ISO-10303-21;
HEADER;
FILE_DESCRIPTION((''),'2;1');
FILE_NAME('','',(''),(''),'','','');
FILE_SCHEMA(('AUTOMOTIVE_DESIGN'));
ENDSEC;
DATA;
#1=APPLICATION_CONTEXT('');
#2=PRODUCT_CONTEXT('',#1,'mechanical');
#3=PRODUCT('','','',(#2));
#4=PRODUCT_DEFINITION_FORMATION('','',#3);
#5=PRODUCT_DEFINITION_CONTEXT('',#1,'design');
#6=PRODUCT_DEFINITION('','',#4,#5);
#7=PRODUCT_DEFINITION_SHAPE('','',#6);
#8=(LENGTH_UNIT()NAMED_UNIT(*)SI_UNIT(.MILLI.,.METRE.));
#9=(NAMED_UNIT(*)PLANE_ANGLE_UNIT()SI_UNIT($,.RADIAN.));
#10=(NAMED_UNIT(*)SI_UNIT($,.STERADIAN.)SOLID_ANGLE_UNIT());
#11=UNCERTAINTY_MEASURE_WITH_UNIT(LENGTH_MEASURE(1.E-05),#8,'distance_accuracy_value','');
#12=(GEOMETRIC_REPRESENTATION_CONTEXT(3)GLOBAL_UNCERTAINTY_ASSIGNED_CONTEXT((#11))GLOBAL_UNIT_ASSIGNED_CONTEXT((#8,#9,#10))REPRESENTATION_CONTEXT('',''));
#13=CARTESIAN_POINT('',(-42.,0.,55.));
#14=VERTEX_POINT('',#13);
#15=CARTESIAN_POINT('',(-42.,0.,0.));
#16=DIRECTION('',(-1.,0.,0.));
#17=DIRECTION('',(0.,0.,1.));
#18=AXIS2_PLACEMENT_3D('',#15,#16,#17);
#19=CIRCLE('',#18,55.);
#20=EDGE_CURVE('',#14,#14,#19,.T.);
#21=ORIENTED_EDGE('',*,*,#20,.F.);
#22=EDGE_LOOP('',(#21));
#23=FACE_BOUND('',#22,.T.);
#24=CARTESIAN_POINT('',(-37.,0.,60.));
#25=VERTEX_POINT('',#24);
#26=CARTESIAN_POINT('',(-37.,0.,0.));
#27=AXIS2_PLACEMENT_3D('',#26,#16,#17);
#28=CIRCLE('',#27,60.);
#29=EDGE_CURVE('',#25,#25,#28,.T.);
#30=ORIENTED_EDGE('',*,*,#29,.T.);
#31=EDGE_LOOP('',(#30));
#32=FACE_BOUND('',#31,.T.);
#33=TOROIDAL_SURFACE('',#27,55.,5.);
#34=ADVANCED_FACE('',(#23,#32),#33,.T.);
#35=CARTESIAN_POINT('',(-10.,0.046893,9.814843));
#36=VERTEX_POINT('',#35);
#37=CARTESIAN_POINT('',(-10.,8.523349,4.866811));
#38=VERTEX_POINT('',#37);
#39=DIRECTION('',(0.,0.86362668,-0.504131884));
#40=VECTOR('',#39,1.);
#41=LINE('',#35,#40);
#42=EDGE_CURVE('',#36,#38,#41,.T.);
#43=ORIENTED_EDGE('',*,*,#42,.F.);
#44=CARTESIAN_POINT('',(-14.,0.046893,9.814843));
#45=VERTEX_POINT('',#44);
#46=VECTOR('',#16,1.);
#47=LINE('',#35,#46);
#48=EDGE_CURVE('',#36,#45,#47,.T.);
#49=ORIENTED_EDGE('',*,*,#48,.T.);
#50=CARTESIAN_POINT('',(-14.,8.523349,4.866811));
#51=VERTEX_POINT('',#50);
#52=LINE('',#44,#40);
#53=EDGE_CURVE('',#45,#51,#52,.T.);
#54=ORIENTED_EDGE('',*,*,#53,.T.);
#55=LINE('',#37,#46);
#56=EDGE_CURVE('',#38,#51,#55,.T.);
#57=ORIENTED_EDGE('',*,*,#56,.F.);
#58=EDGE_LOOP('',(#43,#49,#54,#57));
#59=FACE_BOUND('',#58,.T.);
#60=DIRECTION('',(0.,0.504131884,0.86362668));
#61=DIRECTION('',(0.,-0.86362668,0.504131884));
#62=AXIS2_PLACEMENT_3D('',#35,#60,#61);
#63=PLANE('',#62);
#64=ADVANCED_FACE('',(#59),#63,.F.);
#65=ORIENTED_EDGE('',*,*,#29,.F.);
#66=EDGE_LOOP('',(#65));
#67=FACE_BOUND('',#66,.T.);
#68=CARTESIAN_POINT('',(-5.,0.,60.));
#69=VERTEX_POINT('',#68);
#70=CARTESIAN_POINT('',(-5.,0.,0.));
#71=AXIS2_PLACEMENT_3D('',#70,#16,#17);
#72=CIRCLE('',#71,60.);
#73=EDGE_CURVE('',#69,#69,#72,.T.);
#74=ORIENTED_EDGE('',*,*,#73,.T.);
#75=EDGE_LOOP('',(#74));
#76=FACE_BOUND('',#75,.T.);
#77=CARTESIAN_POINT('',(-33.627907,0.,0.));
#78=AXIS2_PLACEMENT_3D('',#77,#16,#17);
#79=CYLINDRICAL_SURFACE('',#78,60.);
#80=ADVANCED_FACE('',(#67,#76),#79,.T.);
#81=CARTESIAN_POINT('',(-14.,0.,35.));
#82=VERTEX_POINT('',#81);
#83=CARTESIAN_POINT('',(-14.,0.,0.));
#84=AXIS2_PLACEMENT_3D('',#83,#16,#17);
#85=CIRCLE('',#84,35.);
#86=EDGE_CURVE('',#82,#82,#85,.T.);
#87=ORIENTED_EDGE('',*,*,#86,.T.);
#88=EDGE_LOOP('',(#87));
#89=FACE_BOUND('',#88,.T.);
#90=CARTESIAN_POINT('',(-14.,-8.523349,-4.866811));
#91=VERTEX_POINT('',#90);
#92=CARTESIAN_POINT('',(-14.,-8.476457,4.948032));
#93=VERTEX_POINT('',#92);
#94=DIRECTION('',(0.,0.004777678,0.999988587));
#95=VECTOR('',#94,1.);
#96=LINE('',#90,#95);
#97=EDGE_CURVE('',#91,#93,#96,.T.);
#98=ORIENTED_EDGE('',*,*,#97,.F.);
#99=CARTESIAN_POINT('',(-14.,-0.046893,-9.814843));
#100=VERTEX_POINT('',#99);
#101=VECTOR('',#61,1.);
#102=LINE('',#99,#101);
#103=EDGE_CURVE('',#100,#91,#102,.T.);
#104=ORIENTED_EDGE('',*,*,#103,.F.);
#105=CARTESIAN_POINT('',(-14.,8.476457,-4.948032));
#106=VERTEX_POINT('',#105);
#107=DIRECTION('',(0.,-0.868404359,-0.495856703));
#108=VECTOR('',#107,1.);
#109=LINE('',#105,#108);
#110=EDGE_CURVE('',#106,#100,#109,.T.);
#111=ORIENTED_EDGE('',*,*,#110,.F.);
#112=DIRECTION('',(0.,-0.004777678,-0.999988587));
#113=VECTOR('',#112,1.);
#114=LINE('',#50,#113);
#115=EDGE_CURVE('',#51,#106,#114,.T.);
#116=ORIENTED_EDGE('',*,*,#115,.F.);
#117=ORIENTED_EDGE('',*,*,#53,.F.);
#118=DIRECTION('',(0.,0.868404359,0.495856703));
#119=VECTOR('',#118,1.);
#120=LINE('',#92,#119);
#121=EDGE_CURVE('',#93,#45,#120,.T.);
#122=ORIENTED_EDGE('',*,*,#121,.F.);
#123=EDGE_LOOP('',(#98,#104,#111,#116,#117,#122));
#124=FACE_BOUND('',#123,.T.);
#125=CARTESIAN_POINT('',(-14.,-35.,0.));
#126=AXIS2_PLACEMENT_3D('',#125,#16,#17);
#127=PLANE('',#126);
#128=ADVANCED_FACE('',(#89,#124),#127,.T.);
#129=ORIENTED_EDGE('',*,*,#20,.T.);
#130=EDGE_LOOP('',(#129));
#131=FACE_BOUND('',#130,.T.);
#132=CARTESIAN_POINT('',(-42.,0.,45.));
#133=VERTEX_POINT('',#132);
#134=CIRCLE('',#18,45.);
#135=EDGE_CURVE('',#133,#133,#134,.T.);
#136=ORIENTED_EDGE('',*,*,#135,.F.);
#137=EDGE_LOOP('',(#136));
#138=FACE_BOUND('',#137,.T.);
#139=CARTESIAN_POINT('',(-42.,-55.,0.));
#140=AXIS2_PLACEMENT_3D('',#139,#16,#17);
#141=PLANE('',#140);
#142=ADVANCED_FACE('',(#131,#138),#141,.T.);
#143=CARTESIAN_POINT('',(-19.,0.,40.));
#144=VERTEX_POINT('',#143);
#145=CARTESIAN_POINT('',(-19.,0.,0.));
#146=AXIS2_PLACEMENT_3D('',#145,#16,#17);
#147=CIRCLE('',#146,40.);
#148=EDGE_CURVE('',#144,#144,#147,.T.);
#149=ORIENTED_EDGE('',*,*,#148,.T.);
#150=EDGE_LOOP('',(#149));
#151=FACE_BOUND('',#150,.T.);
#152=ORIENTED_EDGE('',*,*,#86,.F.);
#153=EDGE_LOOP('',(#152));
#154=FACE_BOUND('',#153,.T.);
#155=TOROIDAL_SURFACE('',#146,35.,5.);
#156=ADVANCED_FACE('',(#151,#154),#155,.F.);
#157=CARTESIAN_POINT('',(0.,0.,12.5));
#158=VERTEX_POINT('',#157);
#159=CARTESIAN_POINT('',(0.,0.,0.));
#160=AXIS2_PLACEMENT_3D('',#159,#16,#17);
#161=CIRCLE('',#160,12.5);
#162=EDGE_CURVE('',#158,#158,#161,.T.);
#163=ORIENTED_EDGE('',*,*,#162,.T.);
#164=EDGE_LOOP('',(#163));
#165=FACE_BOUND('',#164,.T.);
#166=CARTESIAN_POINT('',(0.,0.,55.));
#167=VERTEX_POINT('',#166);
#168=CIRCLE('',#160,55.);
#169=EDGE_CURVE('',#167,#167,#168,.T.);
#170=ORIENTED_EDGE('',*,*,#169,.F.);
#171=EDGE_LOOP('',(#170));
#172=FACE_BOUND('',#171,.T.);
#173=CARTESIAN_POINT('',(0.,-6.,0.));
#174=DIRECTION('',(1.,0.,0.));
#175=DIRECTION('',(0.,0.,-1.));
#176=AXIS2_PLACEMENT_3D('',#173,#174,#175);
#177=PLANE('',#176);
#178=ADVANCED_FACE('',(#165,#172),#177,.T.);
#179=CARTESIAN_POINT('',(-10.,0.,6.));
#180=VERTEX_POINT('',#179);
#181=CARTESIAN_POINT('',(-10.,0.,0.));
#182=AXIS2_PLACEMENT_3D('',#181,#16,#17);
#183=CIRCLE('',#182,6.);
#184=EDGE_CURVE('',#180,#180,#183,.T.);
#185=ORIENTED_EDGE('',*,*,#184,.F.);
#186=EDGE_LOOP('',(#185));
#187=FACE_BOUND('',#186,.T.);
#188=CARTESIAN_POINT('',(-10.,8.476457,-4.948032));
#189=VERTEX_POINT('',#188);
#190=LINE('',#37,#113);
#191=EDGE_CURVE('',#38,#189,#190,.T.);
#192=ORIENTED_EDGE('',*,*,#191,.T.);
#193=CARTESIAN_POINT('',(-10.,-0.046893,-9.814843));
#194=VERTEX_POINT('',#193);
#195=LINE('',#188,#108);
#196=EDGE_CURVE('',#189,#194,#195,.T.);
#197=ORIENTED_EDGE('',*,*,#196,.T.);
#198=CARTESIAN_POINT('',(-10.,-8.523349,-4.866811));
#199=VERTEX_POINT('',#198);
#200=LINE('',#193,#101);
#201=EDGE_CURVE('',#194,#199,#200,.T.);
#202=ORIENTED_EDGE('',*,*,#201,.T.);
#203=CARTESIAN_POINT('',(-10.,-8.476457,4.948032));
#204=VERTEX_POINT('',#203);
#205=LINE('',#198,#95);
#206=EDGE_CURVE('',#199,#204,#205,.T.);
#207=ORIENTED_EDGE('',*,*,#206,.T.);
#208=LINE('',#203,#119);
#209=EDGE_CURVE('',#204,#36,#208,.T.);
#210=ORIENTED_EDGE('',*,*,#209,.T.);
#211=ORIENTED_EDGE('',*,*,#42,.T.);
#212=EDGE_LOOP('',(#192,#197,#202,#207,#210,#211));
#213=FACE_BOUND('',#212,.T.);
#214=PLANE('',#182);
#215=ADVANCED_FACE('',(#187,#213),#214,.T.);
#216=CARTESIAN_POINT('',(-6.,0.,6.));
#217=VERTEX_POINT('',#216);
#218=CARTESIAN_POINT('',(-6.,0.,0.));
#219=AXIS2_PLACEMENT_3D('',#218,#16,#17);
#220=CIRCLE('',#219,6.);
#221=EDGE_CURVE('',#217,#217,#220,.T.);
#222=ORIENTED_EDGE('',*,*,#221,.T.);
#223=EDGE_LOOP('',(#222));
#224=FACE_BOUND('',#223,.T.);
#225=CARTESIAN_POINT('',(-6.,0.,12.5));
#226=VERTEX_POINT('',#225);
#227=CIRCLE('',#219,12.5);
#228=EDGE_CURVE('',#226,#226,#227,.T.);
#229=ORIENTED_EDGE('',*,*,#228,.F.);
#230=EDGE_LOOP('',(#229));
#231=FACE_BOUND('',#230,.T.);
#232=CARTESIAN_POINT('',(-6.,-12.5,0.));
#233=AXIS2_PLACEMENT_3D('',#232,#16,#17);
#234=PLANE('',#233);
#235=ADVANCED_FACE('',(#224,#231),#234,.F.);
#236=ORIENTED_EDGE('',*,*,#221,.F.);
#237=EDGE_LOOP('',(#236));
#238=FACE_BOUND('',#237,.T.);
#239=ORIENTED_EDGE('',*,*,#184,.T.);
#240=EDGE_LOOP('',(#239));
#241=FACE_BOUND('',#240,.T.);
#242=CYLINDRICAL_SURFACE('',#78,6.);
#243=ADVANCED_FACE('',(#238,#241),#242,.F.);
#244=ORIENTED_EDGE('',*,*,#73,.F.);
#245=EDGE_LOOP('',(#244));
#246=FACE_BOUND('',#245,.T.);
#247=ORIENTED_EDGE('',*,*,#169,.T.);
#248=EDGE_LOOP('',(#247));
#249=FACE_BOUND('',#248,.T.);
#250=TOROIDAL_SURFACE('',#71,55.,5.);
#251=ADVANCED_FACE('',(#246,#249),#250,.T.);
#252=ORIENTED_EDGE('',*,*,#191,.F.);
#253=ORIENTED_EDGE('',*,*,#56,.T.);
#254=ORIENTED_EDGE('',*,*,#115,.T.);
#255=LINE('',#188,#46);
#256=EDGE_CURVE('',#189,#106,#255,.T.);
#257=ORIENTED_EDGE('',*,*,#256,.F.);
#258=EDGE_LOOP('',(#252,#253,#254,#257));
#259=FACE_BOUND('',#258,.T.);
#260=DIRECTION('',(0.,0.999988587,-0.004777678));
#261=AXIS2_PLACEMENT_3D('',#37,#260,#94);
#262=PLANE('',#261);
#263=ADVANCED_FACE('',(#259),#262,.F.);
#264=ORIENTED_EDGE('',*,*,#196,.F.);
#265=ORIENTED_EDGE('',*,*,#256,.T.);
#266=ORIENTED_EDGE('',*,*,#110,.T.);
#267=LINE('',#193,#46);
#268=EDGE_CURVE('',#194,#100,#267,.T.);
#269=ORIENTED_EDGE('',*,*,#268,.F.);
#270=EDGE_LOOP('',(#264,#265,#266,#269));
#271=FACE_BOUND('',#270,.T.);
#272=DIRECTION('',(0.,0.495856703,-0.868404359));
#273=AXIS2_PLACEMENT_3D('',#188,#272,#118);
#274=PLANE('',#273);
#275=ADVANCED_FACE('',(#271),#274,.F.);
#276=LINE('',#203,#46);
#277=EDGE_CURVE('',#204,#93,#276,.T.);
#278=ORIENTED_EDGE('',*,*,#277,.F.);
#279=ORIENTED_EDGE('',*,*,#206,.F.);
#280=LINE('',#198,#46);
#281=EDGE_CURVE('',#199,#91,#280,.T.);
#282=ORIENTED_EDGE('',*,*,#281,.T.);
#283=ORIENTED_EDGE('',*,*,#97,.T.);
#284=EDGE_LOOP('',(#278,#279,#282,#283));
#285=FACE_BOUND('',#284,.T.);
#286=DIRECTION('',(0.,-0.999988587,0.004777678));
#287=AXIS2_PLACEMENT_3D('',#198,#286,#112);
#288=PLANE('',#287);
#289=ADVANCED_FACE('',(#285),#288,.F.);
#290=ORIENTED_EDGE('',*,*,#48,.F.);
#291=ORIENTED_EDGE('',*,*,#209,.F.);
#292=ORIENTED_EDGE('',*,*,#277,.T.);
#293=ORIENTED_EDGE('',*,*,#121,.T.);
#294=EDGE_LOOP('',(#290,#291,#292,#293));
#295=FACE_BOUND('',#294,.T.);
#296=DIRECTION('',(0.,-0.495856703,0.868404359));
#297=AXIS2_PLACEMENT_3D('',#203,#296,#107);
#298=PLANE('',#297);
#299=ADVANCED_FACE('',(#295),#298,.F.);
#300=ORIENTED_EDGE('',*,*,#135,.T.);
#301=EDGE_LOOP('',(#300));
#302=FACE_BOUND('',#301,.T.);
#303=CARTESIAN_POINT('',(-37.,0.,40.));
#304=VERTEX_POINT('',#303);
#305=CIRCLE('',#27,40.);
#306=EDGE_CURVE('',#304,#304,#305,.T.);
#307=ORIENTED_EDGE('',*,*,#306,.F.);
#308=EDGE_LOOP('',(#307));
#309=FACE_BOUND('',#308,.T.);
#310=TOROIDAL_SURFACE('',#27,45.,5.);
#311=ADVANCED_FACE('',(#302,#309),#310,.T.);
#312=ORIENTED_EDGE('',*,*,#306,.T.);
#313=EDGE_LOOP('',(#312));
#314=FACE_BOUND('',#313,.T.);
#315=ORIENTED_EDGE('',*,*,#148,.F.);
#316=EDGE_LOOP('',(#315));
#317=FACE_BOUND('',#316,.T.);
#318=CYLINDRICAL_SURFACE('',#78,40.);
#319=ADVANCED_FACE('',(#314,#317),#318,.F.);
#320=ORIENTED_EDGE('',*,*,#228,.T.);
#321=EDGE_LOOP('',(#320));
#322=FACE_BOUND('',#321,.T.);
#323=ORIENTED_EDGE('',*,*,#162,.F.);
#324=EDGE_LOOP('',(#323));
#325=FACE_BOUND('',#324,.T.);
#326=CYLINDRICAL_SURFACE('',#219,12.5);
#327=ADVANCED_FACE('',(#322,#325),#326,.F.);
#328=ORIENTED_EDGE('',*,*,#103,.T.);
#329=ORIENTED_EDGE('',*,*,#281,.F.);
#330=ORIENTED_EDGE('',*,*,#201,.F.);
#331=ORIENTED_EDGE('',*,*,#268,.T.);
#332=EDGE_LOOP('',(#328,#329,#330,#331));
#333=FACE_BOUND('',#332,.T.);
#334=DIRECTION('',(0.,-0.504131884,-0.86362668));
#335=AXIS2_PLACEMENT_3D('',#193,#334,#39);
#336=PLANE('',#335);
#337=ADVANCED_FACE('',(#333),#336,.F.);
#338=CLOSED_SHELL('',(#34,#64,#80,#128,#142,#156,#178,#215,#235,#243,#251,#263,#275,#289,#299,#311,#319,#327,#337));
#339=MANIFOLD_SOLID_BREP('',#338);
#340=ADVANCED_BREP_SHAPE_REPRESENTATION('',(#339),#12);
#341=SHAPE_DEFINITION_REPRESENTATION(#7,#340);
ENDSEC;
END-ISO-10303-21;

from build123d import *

# Parameters (mm, degrees)
CUT_EXTRUDE1_DEPTH = 4
SKETCH3_W          = 6
SKETCH3_H          = 12.5


with BuildPart() as part:
    # Sketch1 → Revolve1 (revolve)
    with BuildSketch(Plane.XY, mode=Mode.PRIVATE) as revolve1_sk:
        with BuildLine():
            Line((0, -6), (0, -55))
            ThreePointArc((0, -55), (-1.464466094, -58.535533906), (-5, -60))
            Line((-5, -60), (-37, -60))
            ThreePointArc((-37, -60), (-40.535533906, -58.535533906), (-42, -55))
            Line((-42, -55), (-42, -45))
            ThreePointArc((-42, -45), (-40.535533906, -41.464466094), (-37, -40))
            Line((-37, -40), (-19, -40))
            ThreePointArc((-19, -40), (-15.464466094, -38.535533906), (-14, -35))
            Line((-14, -35), (-14, -6))
            Line((-14, -6), (0, -6))
        make_face()
    revolve(revolve1_sk.sketch.rotate(Axis((-33.627906977, 0, 0), (1, 0, 0)), 270), axis=Axis((-33.627906977, 0, 0), (1, 0, 0)))

    # Sketch2 → Cut-Extrude1 (cut)
    with BuildSketch(Plane.ZY.offset(14)):
        Polygon((4.948031545, -8.47645664), (9.814842556, 0.046892697), (4.866811012, 8.523349336), (-4.948031545, 8.47645664), (-9.814842556, -0.046892697), (-4.866811012, -8.523349336), align=None)
    extrude(amount=-CUT_EXTRUDE1_DEPTH, mode=Mode.SUBTRACT)

    # Sketch3 → Cut-Revolve1 (revolve, cut)
    with BuildSketch(Plane.XY, mode=Mode.PRIVATE) as cut_revolve1_sk:
        with Locations((-3, -6.25)):
            Rectangle(SKETCH3_W, SKETCH3_H)
    revolve(cut_revolve1_sk.sketch.rotate(Axis((-6, 0, 0), (1, 0, 0)), 270), axis=Axis((-6, 0, 0), (1, 0, 0)), mode=Mode.SUBTRACT)


solid = part.part
